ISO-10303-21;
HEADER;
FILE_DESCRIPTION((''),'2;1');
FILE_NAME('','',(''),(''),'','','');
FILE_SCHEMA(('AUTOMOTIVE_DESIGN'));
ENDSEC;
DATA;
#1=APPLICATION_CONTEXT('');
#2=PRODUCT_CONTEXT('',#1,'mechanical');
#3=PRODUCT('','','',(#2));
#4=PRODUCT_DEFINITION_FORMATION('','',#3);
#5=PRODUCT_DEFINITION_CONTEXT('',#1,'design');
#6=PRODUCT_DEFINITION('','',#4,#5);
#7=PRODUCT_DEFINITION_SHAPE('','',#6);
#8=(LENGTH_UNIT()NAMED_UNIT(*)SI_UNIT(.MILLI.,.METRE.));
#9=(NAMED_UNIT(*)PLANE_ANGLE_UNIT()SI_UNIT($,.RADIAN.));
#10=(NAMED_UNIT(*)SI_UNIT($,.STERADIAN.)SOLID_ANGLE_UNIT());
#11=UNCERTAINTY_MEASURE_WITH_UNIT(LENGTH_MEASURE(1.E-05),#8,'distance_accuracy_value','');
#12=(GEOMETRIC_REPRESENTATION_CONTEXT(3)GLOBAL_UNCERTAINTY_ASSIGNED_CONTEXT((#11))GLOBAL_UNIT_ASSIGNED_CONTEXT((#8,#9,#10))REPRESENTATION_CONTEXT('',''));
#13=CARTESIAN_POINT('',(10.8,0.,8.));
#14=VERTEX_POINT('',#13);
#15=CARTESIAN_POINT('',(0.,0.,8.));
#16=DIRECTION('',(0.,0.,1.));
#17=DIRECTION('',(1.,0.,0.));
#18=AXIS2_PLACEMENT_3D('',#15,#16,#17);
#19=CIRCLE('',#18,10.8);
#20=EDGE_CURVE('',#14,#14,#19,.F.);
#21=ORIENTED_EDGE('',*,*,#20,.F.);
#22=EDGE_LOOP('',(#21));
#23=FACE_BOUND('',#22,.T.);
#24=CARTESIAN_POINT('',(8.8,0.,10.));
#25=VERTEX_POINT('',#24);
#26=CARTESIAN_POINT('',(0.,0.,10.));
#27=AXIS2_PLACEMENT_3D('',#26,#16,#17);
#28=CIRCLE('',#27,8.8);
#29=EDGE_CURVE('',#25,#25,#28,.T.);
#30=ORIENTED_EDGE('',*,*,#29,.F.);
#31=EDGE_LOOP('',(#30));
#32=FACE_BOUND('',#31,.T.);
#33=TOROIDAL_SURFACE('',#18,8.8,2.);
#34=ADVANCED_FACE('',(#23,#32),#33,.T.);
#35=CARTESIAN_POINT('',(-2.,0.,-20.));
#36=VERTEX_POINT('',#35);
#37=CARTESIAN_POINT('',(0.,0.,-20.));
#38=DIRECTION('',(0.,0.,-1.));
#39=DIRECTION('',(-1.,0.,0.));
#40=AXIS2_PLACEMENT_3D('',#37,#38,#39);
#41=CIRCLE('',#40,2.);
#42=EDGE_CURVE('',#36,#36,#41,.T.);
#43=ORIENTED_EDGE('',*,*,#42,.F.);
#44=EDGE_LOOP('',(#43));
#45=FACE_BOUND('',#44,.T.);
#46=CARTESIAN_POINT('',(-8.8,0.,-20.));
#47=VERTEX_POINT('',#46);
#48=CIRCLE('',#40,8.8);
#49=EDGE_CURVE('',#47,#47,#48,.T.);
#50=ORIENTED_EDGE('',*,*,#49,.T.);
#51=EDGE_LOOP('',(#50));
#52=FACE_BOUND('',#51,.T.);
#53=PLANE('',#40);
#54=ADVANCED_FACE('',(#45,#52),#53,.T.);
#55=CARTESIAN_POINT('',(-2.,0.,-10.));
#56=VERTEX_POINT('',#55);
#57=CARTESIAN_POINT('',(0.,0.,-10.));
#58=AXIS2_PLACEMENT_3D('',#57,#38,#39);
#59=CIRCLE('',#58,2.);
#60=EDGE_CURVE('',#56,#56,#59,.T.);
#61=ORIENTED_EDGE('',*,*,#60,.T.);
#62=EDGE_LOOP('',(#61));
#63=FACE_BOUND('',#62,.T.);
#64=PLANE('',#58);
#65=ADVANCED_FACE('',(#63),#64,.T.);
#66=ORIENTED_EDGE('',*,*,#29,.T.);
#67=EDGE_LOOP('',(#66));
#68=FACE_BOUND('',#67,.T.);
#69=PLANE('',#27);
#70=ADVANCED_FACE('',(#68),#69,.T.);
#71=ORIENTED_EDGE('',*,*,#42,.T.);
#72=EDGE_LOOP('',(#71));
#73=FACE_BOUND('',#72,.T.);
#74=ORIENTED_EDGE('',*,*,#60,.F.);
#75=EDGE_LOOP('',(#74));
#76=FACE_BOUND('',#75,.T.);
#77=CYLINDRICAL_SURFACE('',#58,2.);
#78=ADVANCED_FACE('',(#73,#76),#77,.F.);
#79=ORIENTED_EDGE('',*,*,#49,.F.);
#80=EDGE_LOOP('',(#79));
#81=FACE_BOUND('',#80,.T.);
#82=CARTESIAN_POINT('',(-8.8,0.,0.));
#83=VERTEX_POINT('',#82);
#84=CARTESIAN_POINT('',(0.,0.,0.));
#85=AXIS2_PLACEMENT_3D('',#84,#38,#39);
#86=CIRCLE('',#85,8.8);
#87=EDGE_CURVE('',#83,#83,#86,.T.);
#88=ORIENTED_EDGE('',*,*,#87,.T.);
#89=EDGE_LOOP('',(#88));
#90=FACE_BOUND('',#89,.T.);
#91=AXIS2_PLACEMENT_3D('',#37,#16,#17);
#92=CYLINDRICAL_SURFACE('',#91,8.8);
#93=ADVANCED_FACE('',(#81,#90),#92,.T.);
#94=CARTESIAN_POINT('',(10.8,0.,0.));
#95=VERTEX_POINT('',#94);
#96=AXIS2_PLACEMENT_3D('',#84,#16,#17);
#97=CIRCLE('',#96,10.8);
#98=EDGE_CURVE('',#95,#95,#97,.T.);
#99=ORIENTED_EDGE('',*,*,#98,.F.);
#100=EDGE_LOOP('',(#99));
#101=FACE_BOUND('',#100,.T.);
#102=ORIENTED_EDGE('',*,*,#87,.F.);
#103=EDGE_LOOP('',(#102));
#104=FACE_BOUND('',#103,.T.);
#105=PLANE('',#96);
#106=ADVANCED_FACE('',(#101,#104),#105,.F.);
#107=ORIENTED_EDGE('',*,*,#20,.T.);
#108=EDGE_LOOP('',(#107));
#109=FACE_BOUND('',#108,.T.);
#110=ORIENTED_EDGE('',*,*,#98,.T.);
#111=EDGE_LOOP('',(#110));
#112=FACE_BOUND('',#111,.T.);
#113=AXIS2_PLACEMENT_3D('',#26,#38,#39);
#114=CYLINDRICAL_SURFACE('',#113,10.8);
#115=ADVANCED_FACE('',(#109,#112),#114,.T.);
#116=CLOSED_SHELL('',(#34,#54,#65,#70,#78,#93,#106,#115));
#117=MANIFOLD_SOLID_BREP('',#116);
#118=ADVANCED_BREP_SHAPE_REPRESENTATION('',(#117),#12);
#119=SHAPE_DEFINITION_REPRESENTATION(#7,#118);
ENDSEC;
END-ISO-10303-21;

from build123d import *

# Parameters (mm, degrees)
SKETCH_1_R          = 10.8
EXTRUDE_1_DEPTH     = 10
SKETCH_2_R          = 8.8
EXTRUDE_2_DEPTH     = 20
FILLET_1_R          = 2
SKETCH_3_R          = 2
CUT_EXTRUDE_1_DEPTH = 10


with BuildPart() as part:
    # 草图1 → 凸台-拉伸1 (new body)
    with BuildSketch(Plane.XY):
        Circle(SKETCH_1_R)
    extrude(amount=EXTRUDE_1_DEPTH)

    # 草图2 → 凸台-拉伸2 (add)
    with BuildSketch(Plane(origin=(0, 0, 0), x_dir=(-1, 0, 0), z_dir=(0, 0, -1))):
        Circle(SKETCH_2_R)
    extrude(amount=EXTRUDE_2_DEPTH)

    # 圆角1
    fillet_1_edges = [part.edges().sort_by_distance(p)[0] for p in [
        (-10.8, 0, 10),
    ]]
    fillet(fillet_1_edges, radius=FILLET_1_R)

    # 草图3 → 切除-拉伸1 (cut)
    with BuildSketch(Plane(origin=(0, 0, -20), x_dir=(-1, 0, 0), z_dir=(0, 0, -1))):
        Circle(SKETCH_3_R)
    extrude(amount=-CUT_EXTRUDE_1_DEPTH, mode=Mode.SUBTRACT)


solid = part.part
